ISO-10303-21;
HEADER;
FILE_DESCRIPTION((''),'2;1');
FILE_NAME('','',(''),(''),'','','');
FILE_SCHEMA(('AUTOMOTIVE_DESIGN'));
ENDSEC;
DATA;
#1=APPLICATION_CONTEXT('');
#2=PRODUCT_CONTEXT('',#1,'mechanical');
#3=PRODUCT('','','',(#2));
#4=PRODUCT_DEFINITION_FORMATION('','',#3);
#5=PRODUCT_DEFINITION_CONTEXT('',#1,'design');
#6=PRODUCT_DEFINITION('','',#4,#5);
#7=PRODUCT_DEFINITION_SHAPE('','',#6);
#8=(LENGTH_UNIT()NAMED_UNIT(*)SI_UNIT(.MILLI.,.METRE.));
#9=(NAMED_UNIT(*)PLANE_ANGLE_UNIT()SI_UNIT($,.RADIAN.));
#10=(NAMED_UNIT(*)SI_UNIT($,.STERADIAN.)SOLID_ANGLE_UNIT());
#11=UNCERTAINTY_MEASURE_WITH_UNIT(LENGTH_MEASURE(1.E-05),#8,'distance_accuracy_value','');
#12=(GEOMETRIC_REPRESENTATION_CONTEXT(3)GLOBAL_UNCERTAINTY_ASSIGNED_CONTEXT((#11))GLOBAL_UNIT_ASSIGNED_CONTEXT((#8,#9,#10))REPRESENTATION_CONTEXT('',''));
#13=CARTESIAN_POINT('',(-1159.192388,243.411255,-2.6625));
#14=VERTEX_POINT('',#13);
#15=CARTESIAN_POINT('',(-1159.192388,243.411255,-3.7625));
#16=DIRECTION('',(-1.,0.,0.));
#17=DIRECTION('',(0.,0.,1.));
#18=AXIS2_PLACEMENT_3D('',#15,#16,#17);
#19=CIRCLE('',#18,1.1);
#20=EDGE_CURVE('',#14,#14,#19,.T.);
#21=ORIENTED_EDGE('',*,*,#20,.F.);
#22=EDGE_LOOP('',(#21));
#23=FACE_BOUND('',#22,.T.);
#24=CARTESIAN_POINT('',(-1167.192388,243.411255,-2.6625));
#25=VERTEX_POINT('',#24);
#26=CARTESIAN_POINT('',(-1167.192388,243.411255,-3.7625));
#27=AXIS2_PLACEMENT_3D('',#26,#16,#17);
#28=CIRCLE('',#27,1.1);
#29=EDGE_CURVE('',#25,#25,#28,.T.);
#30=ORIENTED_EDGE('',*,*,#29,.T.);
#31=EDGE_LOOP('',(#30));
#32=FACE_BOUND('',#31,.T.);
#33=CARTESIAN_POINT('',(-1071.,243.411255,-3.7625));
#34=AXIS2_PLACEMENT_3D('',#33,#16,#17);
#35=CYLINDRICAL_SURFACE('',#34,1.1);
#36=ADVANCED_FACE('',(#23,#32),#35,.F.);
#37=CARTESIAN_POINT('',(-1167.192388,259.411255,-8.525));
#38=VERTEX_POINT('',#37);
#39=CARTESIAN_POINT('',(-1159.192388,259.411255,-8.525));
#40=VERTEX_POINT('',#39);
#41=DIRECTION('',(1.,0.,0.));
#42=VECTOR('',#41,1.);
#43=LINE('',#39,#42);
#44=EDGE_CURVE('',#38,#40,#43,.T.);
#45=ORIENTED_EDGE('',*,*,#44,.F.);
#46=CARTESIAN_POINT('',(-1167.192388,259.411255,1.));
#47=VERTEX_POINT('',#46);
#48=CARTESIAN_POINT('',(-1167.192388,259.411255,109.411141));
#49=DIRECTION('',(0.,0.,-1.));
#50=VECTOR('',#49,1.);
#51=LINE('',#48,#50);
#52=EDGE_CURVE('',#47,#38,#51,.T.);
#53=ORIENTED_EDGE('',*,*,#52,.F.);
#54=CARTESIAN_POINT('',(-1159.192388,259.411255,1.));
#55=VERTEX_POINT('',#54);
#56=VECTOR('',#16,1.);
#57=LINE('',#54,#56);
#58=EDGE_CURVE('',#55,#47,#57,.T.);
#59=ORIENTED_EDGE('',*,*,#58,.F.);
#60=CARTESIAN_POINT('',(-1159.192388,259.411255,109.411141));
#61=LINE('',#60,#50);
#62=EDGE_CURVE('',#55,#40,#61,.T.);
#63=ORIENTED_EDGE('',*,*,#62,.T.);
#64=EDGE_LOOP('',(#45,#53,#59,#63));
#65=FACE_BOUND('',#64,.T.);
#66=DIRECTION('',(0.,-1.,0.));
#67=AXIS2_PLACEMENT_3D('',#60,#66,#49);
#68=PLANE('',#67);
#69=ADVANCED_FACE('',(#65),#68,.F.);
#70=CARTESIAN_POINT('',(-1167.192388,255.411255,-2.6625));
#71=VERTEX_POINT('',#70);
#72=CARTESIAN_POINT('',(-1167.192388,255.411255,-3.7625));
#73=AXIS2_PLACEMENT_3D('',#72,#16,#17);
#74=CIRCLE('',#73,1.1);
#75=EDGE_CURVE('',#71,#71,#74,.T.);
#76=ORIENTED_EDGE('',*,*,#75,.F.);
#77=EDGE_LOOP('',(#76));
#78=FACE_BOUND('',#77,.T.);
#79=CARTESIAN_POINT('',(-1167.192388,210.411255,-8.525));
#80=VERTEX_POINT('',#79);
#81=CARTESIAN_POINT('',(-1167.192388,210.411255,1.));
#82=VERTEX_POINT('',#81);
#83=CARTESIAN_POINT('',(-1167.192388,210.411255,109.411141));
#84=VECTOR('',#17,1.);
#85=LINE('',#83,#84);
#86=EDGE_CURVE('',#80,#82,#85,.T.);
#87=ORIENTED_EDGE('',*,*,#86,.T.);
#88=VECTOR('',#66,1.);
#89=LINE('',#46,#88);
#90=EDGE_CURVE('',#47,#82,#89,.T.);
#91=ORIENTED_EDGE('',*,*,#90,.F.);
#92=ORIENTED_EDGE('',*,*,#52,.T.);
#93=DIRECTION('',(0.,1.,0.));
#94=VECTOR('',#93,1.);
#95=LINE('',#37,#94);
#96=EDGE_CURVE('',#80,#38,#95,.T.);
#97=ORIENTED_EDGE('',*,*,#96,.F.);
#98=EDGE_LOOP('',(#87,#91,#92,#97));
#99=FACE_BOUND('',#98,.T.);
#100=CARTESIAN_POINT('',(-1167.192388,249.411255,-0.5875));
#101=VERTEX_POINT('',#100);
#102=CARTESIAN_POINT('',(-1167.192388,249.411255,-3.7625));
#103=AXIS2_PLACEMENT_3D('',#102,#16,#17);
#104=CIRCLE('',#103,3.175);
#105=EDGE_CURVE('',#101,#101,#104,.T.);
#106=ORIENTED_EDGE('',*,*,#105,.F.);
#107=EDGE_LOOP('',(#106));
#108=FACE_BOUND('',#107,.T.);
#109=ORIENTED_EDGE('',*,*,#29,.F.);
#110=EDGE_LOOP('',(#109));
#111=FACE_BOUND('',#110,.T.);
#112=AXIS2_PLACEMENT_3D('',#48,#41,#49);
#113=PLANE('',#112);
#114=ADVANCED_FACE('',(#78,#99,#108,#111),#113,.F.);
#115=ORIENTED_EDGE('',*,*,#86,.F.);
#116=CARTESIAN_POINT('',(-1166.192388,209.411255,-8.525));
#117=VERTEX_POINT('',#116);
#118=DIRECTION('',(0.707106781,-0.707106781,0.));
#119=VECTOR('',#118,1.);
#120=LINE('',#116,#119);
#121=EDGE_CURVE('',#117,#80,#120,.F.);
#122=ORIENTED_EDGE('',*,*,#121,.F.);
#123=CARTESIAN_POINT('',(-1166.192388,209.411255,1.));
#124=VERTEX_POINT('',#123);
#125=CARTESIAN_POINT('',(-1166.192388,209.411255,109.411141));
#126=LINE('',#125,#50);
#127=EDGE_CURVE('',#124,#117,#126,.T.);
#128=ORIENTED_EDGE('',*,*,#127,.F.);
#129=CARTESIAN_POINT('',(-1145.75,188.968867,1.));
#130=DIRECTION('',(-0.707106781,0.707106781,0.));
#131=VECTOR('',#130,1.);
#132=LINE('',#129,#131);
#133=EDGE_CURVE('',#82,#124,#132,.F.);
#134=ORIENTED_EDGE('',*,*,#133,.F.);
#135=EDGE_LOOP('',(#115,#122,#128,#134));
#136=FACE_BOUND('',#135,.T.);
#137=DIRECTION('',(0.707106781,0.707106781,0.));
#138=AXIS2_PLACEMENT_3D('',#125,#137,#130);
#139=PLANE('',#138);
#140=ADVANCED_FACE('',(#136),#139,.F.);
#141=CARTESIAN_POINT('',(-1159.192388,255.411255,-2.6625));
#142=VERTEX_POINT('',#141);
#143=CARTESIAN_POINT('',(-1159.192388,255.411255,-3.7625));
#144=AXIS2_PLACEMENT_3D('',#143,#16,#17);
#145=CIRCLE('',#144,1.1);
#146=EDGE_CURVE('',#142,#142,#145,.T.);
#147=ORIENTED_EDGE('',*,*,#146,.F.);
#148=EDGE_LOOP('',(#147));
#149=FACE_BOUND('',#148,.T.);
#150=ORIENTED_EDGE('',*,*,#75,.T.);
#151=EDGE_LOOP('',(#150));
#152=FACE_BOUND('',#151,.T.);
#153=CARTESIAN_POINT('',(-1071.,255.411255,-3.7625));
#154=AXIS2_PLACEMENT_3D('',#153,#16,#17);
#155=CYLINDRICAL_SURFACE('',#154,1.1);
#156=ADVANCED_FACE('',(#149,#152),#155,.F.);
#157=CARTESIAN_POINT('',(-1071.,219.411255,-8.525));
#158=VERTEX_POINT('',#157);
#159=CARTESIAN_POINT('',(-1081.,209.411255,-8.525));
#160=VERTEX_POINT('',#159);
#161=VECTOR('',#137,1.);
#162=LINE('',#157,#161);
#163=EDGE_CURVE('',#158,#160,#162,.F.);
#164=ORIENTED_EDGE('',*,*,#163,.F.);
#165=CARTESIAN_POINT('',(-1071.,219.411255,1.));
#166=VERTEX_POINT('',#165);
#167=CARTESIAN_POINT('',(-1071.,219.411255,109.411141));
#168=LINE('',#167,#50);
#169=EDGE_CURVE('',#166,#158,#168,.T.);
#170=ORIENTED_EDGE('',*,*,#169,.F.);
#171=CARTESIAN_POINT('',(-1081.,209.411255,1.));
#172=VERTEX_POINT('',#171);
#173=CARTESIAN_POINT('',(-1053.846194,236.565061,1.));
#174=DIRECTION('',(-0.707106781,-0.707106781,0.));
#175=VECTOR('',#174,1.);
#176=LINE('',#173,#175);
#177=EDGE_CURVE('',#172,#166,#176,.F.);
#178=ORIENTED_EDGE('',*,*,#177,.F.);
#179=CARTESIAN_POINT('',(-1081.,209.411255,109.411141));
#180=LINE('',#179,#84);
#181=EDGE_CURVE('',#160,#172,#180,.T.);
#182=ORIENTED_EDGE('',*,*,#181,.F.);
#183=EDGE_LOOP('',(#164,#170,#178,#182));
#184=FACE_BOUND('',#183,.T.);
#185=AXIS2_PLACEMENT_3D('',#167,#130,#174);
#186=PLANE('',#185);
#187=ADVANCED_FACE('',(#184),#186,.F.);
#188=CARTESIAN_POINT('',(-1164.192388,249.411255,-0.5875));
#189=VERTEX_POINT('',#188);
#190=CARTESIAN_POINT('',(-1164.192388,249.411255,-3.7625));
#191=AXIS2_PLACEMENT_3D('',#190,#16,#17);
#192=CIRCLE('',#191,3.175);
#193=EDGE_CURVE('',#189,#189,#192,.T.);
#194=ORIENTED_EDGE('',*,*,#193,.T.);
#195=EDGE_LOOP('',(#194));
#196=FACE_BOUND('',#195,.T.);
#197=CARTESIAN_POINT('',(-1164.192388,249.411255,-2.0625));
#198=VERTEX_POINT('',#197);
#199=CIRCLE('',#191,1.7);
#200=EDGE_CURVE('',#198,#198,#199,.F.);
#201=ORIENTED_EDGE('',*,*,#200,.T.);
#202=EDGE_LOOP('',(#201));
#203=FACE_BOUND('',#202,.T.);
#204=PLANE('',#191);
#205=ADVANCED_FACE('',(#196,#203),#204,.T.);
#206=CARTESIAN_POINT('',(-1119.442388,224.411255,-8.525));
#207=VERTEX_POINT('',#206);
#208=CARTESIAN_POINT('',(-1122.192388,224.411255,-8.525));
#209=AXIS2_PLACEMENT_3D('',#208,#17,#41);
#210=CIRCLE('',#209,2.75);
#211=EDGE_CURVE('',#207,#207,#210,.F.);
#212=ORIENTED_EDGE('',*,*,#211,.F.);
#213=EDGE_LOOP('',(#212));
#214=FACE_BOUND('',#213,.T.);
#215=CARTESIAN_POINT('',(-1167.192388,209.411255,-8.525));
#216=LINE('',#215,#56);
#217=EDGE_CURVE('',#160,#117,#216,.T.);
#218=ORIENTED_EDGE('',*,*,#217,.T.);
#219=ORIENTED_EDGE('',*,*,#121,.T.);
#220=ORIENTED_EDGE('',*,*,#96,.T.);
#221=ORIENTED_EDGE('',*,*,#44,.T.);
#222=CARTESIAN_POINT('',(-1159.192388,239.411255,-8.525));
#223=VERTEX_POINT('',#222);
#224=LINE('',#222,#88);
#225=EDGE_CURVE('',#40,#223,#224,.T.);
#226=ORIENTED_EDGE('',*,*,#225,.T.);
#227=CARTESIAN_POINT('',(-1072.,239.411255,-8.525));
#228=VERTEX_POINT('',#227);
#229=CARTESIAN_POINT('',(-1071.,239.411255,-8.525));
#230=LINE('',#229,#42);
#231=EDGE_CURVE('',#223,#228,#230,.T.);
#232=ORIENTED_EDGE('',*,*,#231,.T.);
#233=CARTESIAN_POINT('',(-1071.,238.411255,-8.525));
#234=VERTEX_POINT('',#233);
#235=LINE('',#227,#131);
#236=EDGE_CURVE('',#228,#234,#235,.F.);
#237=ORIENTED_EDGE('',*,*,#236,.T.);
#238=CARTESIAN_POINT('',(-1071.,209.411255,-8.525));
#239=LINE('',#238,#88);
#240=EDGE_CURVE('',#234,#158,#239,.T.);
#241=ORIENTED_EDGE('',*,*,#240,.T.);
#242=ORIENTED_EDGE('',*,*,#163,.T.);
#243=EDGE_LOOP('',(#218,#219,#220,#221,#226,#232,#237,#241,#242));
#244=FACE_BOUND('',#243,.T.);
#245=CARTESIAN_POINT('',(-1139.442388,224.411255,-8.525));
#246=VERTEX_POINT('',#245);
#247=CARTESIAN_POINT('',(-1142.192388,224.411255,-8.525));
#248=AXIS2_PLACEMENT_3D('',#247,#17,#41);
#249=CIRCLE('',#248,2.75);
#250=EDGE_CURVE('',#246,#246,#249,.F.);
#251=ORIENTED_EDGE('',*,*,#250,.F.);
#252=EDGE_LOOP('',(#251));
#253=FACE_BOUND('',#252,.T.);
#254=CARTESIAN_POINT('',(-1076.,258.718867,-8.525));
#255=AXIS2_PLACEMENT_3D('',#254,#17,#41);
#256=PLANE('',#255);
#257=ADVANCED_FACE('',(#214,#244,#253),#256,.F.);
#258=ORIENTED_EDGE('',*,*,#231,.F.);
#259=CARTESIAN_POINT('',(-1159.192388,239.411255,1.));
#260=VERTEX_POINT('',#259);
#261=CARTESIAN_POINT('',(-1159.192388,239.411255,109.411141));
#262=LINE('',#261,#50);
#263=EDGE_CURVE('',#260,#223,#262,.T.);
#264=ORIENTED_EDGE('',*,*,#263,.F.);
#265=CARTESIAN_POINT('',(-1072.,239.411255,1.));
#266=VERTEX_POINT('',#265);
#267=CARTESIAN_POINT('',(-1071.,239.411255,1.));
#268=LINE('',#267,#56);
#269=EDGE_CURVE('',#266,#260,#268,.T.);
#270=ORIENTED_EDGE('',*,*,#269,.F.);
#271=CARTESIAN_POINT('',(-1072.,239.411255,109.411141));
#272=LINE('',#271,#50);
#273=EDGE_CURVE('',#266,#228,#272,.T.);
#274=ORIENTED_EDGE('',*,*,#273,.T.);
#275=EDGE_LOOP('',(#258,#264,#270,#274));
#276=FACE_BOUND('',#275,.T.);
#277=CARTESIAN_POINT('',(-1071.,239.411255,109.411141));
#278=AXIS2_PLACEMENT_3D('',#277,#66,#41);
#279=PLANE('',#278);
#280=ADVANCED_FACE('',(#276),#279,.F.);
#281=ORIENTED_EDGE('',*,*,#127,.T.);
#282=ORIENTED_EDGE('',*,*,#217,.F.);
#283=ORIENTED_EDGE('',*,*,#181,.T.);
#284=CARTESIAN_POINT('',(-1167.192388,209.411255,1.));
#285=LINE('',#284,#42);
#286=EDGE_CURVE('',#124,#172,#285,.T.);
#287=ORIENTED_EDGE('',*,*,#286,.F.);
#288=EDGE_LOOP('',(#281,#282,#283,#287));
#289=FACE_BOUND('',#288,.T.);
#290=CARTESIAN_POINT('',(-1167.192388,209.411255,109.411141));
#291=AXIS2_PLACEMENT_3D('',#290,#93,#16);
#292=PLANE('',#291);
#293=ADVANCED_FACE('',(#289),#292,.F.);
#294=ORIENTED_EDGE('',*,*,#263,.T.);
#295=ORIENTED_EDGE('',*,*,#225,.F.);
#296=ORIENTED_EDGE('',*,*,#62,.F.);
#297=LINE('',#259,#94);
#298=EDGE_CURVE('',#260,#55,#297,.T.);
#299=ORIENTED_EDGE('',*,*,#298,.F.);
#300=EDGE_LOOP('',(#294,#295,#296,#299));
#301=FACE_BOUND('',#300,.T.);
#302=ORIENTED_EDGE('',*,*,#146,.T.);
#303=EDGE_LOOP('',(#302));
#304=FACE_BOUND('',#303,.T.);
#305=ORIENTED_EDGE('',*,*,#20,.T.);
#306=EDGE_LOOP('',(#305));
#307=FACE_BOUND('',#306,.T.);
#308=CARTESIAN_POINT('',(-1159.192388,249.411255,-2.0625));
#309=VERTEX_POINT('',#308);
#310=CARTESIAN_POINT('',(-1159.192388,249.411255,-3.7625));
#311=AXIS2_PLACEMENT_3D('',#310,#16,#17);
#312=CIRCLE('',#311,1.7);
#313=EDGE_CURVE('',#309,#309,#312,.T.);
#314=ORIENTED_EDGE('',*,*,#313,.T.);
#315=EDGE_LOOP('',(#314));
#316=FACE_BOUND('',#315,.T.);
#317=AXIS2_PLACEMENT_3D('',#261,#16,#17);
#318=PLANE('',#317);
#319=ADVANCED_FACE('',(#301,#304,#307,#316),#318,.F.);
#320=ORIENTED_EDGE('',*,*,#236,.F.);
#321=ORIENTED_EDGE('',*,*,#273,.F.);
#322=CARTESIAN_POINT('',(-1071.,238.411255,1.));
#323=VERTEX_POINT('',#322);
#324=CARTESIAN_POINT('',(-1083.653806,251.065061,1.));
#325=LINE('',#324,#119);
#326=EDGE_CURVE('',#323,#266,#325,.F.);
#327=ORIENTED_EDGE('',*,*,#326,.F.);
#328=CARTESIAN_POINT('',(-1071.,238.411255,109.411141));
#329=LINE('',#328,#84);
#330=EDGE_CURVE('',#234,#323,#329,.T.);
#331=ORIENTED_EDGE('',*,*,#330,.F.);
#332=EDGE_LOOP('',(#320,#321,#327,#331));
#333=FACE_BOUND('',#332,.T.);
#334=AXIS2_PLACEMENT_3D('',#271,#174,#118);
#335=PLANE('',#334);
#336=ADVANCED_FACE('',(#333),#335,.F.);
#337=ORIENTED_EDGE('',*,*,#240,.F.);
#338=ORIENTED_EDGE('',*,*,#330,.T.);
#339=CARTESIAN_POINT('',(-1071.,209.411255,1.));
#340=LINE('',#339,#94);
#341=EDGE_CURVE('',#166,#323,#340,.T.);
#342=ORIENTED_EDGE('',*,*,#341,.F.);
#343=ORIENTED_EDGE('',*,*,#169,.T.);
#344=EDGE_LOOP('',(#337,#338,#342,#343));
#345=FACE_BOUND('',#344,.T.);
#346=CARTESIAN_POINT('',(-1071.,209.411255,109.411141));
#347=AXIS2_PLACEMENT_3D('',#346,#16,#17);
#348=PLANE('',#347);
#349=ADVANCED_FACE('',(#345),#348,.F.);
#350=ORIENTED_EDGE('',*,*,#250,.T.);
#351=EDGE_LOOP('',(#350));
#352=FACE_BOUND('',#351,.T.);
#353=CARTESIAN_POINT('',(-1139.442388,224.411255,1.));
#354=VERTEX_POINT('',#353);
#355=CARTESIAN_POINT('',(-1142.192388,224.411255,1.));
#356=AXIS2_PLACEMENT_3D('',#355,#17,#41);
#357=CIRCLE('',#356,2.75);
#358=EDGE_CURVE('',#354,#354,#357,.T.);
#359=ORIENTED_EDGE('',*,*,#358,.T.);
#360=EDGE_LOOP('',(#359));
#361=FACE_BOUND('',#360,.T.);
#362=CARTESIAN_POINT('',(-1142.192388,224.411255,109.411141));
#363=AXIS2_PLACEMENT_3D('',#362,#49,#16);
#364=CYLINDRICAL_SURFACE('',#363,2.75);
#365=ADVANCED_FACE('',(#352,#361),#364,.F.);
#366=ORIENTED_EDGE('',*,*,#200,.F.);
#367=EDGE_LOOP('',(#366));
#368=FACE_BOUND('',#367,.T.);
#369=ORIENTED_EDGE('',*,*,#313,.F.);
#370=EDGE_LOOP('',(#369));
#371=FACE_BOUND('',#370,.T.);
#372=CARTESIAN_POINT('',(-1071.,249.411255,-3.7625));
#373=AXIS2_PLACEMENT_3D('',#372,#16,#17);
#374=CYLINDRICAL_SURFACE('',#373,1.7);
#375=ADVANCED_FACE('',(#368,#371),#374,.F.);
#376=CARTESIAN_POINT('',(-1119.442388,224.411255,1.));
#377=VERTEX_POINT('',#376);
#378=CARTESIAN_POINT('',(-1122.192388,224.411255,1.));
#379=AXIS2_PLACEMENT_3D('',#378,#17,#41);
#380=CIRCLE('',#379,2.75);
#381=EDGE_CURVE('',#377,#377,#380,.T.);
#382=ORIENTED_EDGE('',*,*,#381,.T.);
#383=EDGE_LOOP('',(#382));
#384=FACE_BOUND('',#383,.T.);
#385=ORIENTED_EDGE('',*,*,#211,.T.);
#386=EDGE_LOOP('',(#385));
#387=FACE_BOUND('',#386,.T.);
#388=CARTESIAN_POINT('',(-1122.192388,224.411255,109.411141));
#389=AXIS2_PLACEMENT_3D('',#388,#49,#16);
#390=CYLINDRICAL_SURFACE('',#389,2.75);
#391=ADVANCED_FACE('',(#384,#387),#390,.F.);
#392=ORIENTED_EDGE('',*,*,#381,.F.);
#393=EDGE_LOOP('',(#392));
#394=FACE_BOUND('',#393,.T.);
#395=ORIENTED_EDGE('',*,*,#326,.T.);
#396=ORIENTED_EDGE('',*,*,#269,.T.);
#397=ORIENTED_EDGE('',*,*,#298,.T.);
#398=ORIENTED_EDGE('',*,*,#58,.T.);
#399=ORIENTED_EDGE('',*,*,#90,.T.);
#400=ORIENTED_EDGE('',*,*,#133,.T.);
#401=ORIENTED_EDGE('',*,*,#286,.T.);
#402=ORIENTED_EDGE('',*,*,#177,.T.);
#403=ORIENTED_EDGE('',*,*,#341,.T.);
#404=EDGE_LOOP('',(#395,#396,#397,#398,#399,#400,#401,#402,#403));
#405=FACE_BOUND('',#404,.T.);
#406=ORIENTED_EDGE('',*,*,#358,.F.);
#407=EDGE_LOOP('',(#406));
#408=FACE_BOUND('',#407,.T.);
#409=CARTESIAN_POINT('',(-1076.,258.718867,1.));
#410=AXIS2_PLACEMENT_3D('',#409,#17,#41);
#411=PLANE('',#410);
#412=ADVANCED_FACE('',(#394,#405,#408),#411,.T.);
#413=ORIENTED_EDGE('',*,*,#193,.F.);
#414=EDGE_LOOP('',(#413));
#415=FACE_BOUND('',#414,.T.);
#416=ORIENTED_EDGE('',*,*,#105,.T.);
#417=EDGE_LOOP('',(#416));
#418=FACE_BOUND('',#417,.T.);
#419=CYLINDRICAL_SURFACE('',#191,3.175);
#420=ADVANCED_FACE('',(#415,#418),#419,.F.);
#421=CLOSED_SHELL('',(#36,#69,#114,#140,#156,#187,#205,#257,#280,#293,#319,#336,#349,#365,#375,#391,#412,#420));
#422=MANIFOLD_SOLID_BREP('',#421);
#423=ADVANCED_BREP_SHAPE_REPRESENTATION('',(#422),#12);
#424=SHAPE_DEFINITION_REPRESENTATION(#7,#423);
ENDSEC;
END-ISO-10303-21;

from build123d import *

# Parameters (mm, degrees)
SKETCH1_R                = 2.75
BOSS_EXTRUDE1_DEPTH      = 1
BOSS_EXTRUDE1_DEPTH_BACK = 8.525
CHAMFER1_SIZE            = 10
CHAMFER2_SIZE            = 1
SKETCH2_R                = 1.7
CUT_EXTRUDE1_DEPTH       = 97.192388155
SKETCH3_R                = 1.1
CUT_EXTRUDE2_DEPTH       = 97.192388155
SKETCH4_R                = 3.175
CUT_EXTRUDE3_DEPTH       = 3


with BuildPart() as part:
    # Sketch1 → Boss-Extrude1 (new body, two sides)
    with BuildSketch(Plane.XY) as boss_extrude1_sk:
        Polygon((-1071, 209.41125497), (-1071, 239.41125497), (-1159.192388155, 239.41125497), (-1159.192388155, 259.41125497), (-1167.192388155, 259.41125497), (-1167.192388155, 209.41125497), align=None)
        with Locations((-1122.192388155, 224.41125497)):
            Circle(SKETCH1_R, mode=Mode.SUBTRACT)
        with Locations((-1142.192388155, 224.41125497)):
            Circle(SKETCH1_R, mode=Mode.SUBTRACT)
    extrude(amount=BOSS_EXTRUDE1_DEPTH)
    extrude(boss_extrude1_sk.sketch, amount=-BOSS_EXTRUDE1_DEPTH_BACK)

    # Chamfer1
    chamfer1_edges = [part.edges().sort_by_distance(p)[0] for p in [
        (-1071, 209.41125497, -3.7625),
    ]]
    chamfer(chamfer1_edges, length=CHAMFER1_SIZE)

    # Chamfer2
    chamfer2_edges = [part.edges().sort_by_distance(p)[0] for p in [
        (-1167.192388155, 209.41125497, -3.7625),
        (-1071, 239.41125497, -3.7625),
    ]]
    chamfer(chamfer2_edges, length=CHAMFER2_SIZE)

    # Sketch2 → Cut-Extrude1 (cut, through all)
    with BuildSketch(Plane.ZY.offset(1167.192388155)):
        with Locations((-3.762499999, 249.41125497)):
            Circle(SKETCH2_R)
    extrude(amount=-CUT_EXTRUDE1_DEPTH, mode=Mode.SUBTRACT)

    # Sketch3 → Cut-Extrude2 (cut, through all)
    with BuildSketch(Plane.ZY.offset(1167.192388155)):
        with Locations((-3.762499999, 255.41125497)):
            Circle(SKETCH3_R)
        with Locations((-3.762499999, 243.41125497)):
            Circle(SKETCH3_R)
    extrude(amount=-CUT_EXTRUDE2_DEPTH, mode=Mode.SUBTRACT)

    # Sketch4 → Cut-Extrude3 (cut)
    with BuildSketch(Plane.ZY.offset(1167.192388155)):
        with Locations((-3.762499999, 249.41125497)):
            Circle(SKETCH4_R)
    extrude(amount=-CUT_EXTRUDE3_DEPTH, mode=Mode.SUBTRACT)


solid = part.part
